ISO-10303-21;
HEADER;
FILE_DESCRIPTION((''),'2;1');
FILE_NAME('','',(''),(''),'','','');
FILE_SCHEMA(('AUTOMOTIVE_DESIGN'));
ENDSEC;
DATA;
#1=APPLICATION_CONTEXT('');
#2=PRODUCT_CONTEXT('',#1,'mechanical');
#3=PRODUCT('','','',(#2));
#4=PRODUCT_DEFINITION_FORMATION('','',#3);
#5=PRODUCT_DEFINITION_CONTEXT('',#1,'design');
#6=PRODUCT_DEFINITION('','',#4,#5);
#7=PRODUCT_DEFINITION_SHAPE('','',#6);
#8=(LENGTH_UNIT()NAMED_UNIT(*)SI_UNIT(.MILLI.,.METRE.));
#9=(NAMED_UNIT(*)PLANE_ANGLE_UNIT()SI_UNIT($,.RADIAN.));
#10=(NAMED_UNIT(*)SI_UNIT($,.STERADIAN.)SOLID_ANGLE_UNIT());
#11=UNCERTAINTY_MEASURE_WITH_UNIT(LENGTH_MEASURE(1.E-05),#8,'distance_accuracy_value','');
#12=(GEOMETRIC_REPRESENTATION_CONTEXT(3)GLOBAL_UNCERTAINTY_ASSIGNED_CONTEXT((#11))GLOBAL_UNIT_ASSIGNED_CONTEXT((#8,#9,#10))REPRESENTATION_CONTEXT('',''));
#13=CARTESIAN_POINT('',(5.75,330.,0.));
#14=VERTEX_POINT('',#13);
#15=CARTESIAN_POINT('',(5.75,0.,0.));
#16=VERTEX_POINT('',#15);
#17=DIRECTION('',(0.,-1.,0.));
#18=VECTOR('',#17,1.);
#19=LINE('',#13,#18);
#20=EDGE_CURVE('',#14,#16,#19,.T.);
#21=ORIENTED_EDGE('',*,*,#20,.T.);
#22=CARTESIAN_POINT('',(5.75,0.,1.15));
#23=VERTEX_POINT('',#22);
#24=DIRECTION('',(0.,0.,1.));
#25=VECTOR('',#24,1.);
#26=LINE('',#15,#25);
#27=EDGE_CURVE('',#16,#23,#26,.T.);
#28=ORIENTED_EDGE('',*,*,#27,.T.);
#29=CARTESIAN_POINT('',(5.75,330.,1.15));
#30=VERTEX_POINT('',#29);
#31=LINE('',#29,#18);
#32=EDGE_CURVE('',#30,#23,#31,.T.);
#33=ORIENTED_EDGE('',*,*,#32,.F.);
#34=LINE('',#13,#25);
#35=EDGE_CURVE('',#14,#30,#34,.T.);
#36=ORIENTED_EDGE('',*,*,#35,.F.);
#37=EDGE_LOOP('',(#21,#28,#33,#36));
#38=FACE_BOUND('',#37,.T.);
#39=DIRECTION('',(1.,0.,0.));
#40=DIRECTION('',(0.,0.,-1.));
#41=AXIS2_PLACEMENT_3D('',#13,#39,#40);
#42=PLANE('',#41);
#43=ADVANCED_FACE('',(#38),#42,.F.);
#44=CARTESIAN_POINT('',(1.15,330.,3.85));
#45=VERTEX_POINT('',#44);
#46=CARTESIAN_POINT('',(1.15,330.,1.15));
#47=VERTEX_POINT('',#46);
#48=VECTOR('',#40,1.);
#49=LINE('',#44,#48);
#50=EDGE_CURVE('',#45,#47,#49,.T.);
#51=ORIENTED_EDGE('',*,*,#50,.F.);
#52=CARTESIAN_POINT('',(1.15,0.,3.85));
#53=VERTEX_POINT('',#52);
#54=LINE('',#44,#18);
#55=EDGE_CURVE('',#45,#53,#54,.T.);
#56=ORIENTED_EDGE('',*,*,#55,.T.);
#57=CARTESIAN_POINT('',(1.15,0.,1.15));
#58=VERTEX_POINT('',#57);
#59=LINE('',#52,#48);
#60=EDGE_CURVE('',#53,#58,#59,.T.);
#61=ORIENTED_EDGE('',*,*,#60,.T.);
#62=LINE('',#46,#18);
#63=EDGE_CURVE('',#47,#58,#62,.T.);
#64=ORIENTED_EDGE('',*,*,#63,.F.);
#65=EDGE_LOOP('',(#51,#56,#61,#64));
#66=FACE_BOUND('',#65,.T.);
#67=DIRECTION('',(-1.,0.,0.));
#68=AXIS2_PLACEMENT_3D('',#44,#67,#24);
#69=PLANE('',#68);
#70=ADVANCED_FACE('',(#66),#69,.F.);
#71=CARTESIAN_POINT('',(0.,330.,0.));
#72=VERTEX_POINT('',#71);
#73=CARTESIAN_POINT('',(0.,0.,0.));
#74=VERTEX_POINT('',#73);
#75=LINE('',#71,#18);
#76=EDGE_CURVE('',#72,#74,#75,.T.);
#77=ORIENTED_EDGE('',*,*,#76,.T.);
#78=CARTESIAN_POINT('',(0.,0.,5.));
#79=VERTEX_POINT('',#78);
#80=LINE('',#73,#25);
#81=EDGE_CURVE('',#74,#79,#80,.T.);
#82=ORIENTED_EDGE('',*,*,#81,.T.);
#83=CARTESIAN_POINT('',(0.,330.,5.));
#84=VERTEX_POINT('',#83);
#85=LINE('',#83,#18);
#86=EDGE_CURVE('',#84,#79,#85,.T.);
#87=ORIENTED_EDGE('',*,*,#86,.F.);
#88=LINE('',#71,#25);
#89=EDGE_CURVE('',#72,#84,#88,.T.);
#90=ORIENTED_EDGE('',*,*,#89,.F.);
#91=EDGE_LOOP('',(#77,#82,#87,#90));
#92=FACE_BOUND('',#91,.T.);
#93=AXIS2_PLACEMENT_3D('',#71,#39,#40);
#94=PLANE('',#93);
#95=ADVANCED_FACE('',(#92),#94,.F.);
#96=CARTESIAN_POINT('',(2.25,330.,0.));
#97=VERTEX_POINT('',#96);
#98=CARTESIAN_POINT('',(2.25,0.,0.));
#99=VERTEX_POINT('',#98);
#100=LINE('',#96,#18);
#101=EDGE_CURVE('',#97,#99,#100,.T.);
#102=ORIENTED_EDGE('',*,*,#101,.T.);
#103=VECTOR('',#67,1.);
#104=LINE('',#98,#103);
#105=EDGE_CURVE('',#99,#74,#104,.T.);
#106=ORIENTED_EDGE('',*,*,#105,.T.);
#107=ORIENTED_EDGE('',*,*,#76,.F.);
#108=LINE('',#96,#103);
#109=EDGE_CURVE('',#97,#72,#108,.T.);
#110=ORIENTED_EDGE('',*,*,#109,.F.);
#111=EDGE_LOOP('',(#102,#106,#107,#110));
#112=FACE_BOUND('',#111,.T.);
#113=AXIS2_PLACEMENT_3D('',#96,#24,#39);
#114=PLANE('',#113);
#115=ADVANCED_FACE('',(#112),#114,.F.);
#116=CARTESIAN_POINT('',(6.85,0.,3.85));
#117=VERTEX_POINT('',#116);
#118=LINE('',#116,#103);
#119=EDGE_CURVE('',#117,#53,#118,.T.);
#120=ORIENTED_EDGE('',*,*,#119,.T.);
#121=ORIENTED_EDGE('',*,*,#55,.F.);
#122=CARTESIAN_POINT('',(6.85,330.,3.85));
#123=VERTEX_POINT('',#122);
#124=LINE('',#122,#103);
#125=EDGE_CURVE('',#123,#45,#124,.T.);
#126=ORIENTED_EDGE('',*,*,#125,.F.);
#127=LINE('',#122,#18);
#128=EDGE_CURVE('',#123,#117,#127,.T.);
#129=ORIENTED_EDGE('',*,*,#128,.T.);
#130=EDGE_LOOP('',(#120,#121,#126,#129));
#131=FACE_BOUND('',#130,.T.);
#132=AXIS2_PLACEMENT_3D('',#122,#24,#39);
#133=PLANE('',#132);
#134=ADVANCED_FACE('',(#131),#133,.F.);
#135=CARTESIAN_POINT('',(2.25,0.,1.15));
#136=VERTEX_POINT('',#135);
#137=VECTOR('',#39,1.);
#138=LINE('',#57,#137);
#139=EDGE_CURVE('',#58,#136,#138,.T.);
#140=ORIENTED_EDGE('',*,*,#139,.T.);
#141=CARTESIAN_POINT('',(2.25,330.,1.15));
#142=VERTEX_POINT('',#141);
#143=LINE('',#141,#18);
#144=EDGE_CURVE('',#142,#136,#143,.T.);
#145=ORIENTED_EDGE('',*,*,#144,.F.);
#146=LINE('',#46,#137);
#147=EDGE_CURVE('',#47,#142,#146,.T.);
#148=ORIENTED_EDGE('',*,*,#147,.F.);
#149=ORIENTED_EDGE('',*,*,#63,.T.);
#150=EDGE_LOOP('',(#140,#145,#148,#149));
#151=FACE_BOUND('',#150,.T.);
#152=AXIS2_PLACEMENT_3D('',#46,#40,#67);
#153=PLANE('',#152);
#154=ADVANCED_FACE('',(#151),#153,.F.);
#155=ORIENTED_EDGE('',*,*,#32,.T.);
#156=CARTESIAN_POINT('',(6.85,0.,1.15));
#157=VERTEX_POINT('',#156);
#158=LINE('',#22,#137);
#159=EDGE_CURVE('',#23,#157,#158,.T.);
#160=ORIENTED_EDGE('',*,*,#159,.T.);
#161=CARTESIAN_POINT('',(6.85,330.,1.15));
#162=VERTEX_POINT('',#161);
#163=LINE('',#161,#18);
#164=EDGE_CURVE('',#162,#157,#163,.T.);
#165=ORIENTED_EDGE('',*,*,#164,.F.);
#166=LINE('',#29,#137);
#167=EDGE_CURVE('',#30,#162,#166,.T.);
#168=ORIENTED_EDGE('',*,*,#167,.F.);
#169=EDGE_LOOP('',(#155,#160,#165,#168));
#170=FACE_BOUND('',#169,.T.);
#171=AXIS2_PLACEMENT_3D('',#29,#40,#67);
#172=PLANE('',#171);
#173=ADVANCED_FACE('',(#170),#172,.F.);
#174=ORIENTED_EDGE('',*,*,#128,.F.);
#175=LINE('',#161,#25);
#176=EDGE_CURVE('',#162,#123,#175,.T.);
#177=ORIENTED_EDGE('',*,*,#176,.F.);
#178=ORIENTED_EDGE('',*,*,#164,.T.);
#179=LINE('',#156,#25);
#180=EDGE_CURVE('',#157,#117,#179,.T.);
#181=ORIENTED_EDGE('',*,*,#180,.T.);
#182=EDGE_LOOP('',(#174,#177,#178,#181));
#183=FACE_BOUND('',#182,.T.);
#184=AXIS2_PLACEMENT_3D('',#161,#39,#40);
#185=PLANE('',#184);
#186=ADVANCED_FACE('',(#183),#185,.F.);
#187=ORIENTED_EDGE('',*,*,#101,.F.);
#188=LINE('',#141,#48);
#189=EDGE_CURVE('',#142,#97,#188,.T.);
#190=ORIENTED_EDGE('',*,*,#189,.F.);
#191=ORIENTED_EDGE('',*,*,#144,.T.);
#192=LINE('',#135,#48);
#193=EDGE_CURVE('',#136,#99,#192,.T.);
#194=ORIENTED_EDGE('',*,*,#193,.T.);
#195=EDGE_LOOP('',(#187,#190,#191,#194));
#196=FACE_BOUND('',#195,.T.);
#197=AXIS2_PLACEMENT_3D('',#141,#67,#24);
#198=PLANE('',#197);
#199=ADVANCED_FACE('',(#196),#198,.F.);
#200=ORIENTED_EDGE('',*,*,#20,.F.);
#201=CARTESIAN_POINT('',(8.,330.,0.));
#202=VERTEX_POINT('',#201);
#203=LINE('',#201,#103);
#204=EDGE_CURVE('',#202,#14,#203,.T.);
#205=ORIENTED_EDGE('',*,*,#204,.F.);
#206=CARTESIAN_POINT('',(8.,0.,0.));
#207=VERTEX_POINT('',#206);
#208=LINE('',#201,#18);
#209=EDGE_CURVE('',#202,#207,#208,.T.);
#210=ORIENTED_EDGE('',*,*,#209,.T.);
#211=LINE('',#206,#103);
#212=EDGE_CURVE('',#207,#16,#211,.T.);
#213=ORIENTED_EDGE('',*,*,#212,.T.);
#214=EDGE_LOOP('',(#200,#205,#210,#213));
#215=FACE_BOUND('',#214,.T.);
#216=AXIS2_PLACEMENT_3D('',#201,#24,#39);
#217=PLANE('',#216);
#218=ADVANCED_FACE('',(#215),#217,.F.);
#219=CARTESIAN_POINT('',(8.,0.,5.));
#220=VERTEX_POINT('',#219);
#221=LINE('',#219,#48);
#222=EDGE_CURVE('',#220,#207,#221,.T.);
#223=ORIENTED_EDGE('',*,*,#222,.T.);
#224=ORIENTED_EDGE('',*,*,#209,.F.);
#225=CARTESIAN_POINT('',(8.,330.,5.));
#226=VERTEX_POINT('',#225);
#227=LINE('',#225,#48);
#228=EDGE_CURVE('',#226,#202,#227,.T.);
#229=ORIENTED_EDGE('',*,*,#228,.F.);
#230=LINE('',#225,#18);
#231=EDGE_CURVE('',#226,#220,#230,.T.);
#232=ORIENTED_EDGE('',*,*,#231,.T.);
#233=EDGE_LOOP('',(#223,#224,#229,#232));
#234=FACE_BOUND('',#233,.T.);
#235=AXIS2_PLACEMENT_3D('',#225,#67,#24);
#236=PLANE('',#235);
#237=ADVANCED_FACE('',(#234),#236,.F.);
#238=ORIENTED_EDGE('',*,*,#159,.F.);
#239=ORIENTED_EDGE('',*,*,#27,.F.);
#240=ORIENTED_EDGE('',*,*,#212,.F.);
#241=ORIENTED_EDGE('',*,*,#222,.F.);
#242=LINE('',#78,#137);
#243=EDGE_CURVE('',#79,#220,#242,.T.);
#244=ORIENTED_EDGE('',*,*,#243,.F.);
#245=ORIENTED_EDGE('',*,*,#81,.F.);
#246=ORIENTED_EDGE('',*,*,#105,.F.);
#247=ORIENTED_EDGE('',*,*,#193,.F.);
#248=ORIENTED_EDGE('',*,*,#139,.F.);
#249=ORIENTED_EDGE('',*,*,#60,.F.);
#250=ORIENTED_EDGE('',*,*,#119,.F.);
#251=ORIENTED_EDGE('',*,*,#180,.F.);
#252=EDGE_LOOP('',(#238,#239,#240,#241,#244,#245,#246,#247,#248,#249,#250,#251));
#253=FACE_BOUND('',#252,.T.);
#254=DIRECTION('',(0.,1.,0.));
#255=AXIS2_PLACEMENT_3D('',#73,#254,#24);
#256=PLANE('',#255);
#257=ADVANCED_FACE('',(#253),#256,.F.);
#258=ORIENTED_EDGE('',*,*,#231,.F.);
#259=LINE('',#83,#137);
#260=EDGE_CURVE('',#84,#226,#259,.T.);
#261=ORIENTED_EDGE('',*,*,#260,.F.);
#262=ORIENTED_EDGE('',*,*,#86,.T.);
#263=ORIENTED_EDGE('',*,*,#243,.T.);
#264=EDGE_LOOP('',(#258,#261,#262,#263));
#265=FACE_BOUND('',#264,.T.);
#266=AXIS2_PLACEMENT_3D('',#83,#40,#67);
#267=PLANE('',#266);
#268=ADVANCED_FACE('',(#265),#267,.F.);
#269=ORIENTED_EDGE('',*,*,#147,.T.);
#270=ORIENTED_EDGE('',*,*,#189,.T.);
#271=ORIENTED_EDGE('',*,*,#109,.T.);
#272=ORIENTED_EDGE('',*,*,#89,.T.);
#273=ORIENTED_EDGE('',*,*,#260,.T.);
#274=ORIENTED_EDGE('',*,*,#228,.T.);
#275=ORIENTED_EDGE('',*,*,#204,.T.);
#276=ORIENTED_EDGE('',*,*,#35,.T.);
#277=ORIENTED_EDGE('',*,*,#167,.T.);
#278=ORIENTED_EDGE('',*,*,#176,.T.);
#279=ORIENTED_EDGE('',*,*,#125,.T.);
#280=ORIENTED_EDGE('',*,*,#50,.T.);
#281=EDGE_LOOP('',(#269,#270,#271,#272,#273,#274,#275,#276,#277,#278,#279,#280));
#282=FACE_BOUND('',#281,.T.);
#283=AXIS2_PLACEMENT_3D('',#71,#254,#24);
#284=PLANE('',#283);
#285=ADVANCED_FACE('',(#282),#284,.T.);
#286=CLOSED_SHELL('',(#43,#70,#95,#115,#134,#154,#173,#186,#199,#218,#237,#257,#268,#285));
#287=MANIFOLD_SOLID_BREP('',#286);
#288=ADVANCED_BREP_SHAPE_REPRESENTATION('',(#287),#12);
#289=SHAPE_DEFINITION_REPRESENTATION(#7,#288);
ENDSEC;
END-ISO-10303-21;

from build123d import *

# Parameters (mm, degrees)
EXTRUDE_1_DEPTH = 330


with BuildPart() as part:
    # 草图1 → 凸台-拉伸1 (new body)
    with BuildSketch(Plane(origin=(0, 0, 0), x_dir=(1, 0, 0), z_dir=(0, 1, 0))):
        Polygon((0, -5), (8, -5), (8, 0), (5.75, 0), (5.75, -1.15), (6.85, -1.15), (6.85, -3.85), (1.15, -3.85), (1.15, -1.15), (2.25, -1.15), (2.25, 0), (0, 0), align=None)
    extrude(amount=EXTRUDE_1_DEPTH)


solid = part.part
